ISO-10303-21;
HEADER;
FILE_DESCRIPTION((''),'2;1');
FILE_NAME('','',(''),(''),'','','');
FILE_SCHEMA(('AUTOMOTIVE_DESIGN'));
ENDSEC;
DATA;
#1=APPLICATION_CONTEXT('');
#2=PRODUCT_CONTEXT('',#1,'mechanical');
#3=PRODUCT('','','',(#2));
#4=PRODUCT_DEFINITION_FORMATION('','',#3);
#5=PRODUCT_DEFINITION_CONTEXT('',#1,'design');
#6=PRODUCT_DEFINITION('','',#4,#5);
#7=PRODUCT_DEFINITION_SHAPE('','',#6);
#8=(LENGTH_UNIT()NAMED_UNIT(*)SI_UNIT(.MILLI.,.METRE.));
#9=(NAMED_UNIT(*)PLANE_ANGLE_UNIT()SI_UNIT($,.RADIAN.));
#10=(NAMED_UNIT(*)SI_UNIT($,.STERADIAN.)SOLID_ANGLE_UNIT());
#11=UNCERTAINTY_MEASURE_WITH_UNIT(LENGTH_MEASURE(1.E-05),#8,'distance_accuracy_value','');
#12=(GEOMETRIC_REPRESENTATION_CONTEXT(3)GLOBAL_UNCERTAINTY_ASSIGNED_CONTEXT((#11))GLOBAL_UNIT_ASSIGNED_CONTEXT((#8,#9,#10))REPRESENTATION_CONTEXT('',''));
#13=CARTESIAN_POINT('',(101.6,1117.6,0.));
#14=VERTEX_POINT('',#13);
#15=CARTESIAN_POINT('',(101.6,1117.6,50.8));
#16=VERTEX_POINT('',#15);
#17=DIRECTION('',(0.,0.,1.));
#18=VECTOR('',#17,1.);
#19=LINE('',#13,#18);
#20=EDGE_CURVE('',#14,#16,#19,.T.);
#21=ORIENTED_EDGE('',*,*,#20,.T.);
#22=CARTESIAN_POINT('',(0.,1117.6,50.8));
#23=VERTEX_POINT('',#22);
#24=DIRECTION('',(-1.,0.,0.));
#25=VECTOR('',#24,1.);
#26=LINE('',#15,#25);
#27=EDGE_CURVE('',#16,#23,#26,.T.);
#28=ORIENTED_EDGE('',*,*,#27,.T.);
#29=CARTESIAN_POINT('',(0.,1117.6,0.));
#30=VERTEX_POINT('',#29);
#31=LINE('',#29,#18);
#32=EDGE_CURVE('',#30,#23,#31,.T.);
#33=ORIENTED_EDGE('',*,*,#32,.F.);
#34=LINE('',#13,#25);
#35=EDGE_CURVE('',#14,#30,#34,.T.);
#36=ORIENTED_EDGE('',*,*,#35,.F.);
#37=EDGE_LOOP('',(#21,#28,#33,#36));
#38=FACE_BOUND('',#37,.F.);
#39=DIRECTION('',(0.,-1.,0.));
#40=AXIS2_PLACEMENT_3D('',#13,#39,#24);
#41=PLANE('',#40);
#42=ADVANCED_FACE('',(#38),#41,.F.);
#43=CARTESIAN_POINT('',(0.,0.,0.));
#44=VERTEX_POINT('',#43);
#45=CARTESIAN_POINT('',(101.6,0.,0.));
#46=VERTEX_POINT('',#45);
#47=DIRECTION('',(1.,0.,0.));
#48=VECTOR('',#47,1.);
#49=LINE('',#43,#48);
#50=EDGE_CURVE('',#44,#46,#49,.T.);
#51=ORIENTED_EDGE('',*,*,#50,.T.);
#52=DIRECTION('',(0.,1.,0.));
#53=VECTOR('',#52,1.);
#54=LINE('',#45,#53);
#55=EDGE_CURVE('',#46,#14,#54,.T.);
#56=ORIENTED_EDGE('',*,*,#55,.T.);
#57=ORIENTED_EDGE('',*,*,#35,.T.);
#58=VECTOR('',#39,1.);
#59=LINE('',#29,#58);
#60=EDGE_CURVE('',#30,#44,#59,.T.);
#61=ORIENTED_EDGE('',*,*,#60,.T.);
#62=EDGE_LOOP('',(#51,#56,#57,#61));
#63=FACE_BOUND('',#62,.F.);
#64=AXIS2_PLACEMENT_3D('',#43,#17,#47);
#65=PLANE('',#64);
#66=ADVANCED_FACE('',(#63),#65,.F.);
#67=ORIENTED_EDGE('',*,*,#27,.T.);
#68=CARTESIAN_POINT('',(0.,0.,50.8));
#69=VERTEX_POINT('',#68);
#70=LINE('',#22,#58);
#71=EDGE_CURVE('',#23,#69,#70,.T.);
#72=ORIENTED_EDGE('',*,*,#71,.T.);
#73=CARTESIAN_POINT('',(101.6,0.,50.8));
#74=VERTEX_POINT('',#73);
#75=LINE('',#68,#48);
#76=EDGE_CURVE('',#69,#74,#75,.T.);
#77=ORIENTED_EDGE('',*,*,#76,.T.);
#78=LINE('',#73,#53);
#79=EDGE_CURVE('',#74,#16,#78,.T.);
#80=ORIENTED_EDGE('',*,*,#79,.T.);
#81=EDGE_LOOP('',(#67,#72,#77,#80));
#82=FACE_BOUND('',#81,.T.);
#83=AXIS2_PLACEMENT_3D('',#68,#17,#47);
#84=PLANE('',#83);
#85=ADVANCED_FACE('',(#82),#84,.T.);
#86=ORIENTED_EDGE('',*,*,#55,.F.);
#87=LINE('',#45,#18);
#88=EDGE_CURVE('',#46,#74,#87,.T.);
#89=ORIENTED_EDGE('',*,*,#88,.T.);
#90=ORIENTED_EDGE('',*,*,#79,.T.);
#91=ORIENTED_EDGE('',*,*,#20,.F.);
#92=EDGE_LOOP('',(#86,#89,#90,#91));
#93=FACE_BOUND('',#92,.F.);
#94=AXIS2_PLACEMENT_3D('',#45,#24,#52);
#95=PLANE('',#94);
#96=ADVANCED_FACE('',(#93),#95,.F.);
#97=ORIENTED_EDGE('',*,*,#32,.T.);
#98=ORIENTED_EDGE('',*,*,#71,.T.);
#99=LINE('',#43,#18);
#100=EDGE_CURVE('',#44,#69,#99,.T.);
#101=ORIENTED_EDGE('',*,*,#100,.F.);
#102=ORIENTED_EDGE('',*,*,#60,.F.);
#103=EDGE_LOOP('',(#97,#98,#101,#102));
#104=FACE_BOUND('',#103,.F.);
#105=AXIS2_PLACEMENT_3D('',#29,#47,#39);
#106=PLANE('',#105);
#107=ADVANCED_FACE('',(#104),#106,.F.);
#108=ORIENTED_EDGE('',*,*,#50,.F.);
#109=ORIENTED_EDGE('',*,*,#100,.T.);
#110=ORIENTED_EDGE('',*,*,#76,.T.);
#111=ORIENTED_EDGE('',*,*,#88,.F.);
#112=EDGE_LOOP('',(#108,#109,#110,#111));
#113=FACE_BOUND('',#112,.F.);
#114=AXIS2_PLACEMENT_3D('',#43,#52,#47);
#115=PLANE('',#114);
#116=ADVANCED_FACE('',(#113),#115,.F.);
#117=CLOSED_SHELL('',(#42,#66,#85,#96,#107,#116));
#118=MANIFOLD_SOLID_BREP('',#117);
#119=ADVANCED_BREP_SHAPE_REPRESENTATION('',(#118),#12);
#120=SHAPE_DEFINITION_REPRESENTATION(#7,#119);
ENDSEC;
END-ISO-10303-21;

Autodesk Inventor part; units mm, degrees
ref_plane "YZ Plane" through (0, 0, 0) normal (1, 0, 0) x (0, 1, 0)
ref_plane "XZ Plane" through (0, 0, 0) normal (0, 1, 0) x (-1, 0, 0)
ref_plane "XY Plane" through (0, 0, 0) normal (0, 0, 1) x (1, 0, 0)
sketch "Sketch1" plane through (0, 0, 0) normal (0, 0, 1) x (1, 0, 0)
  line L0 (0, 0) -> (101.6, 0)
  line L1 (101.6, 0) -> (101.6, 1117.6)
  line L2 (101.6, 1117.6) -> (0, 1117.6)
  line L3 (0, 1117.6) -> (0, 0)
  dimension "d0" = 101.6
  dimension "d1" = 1117.6
extrude "Extrusion1" add sketch "Sketch1" along normal blind 50.8
properties part number "2x4x44"
